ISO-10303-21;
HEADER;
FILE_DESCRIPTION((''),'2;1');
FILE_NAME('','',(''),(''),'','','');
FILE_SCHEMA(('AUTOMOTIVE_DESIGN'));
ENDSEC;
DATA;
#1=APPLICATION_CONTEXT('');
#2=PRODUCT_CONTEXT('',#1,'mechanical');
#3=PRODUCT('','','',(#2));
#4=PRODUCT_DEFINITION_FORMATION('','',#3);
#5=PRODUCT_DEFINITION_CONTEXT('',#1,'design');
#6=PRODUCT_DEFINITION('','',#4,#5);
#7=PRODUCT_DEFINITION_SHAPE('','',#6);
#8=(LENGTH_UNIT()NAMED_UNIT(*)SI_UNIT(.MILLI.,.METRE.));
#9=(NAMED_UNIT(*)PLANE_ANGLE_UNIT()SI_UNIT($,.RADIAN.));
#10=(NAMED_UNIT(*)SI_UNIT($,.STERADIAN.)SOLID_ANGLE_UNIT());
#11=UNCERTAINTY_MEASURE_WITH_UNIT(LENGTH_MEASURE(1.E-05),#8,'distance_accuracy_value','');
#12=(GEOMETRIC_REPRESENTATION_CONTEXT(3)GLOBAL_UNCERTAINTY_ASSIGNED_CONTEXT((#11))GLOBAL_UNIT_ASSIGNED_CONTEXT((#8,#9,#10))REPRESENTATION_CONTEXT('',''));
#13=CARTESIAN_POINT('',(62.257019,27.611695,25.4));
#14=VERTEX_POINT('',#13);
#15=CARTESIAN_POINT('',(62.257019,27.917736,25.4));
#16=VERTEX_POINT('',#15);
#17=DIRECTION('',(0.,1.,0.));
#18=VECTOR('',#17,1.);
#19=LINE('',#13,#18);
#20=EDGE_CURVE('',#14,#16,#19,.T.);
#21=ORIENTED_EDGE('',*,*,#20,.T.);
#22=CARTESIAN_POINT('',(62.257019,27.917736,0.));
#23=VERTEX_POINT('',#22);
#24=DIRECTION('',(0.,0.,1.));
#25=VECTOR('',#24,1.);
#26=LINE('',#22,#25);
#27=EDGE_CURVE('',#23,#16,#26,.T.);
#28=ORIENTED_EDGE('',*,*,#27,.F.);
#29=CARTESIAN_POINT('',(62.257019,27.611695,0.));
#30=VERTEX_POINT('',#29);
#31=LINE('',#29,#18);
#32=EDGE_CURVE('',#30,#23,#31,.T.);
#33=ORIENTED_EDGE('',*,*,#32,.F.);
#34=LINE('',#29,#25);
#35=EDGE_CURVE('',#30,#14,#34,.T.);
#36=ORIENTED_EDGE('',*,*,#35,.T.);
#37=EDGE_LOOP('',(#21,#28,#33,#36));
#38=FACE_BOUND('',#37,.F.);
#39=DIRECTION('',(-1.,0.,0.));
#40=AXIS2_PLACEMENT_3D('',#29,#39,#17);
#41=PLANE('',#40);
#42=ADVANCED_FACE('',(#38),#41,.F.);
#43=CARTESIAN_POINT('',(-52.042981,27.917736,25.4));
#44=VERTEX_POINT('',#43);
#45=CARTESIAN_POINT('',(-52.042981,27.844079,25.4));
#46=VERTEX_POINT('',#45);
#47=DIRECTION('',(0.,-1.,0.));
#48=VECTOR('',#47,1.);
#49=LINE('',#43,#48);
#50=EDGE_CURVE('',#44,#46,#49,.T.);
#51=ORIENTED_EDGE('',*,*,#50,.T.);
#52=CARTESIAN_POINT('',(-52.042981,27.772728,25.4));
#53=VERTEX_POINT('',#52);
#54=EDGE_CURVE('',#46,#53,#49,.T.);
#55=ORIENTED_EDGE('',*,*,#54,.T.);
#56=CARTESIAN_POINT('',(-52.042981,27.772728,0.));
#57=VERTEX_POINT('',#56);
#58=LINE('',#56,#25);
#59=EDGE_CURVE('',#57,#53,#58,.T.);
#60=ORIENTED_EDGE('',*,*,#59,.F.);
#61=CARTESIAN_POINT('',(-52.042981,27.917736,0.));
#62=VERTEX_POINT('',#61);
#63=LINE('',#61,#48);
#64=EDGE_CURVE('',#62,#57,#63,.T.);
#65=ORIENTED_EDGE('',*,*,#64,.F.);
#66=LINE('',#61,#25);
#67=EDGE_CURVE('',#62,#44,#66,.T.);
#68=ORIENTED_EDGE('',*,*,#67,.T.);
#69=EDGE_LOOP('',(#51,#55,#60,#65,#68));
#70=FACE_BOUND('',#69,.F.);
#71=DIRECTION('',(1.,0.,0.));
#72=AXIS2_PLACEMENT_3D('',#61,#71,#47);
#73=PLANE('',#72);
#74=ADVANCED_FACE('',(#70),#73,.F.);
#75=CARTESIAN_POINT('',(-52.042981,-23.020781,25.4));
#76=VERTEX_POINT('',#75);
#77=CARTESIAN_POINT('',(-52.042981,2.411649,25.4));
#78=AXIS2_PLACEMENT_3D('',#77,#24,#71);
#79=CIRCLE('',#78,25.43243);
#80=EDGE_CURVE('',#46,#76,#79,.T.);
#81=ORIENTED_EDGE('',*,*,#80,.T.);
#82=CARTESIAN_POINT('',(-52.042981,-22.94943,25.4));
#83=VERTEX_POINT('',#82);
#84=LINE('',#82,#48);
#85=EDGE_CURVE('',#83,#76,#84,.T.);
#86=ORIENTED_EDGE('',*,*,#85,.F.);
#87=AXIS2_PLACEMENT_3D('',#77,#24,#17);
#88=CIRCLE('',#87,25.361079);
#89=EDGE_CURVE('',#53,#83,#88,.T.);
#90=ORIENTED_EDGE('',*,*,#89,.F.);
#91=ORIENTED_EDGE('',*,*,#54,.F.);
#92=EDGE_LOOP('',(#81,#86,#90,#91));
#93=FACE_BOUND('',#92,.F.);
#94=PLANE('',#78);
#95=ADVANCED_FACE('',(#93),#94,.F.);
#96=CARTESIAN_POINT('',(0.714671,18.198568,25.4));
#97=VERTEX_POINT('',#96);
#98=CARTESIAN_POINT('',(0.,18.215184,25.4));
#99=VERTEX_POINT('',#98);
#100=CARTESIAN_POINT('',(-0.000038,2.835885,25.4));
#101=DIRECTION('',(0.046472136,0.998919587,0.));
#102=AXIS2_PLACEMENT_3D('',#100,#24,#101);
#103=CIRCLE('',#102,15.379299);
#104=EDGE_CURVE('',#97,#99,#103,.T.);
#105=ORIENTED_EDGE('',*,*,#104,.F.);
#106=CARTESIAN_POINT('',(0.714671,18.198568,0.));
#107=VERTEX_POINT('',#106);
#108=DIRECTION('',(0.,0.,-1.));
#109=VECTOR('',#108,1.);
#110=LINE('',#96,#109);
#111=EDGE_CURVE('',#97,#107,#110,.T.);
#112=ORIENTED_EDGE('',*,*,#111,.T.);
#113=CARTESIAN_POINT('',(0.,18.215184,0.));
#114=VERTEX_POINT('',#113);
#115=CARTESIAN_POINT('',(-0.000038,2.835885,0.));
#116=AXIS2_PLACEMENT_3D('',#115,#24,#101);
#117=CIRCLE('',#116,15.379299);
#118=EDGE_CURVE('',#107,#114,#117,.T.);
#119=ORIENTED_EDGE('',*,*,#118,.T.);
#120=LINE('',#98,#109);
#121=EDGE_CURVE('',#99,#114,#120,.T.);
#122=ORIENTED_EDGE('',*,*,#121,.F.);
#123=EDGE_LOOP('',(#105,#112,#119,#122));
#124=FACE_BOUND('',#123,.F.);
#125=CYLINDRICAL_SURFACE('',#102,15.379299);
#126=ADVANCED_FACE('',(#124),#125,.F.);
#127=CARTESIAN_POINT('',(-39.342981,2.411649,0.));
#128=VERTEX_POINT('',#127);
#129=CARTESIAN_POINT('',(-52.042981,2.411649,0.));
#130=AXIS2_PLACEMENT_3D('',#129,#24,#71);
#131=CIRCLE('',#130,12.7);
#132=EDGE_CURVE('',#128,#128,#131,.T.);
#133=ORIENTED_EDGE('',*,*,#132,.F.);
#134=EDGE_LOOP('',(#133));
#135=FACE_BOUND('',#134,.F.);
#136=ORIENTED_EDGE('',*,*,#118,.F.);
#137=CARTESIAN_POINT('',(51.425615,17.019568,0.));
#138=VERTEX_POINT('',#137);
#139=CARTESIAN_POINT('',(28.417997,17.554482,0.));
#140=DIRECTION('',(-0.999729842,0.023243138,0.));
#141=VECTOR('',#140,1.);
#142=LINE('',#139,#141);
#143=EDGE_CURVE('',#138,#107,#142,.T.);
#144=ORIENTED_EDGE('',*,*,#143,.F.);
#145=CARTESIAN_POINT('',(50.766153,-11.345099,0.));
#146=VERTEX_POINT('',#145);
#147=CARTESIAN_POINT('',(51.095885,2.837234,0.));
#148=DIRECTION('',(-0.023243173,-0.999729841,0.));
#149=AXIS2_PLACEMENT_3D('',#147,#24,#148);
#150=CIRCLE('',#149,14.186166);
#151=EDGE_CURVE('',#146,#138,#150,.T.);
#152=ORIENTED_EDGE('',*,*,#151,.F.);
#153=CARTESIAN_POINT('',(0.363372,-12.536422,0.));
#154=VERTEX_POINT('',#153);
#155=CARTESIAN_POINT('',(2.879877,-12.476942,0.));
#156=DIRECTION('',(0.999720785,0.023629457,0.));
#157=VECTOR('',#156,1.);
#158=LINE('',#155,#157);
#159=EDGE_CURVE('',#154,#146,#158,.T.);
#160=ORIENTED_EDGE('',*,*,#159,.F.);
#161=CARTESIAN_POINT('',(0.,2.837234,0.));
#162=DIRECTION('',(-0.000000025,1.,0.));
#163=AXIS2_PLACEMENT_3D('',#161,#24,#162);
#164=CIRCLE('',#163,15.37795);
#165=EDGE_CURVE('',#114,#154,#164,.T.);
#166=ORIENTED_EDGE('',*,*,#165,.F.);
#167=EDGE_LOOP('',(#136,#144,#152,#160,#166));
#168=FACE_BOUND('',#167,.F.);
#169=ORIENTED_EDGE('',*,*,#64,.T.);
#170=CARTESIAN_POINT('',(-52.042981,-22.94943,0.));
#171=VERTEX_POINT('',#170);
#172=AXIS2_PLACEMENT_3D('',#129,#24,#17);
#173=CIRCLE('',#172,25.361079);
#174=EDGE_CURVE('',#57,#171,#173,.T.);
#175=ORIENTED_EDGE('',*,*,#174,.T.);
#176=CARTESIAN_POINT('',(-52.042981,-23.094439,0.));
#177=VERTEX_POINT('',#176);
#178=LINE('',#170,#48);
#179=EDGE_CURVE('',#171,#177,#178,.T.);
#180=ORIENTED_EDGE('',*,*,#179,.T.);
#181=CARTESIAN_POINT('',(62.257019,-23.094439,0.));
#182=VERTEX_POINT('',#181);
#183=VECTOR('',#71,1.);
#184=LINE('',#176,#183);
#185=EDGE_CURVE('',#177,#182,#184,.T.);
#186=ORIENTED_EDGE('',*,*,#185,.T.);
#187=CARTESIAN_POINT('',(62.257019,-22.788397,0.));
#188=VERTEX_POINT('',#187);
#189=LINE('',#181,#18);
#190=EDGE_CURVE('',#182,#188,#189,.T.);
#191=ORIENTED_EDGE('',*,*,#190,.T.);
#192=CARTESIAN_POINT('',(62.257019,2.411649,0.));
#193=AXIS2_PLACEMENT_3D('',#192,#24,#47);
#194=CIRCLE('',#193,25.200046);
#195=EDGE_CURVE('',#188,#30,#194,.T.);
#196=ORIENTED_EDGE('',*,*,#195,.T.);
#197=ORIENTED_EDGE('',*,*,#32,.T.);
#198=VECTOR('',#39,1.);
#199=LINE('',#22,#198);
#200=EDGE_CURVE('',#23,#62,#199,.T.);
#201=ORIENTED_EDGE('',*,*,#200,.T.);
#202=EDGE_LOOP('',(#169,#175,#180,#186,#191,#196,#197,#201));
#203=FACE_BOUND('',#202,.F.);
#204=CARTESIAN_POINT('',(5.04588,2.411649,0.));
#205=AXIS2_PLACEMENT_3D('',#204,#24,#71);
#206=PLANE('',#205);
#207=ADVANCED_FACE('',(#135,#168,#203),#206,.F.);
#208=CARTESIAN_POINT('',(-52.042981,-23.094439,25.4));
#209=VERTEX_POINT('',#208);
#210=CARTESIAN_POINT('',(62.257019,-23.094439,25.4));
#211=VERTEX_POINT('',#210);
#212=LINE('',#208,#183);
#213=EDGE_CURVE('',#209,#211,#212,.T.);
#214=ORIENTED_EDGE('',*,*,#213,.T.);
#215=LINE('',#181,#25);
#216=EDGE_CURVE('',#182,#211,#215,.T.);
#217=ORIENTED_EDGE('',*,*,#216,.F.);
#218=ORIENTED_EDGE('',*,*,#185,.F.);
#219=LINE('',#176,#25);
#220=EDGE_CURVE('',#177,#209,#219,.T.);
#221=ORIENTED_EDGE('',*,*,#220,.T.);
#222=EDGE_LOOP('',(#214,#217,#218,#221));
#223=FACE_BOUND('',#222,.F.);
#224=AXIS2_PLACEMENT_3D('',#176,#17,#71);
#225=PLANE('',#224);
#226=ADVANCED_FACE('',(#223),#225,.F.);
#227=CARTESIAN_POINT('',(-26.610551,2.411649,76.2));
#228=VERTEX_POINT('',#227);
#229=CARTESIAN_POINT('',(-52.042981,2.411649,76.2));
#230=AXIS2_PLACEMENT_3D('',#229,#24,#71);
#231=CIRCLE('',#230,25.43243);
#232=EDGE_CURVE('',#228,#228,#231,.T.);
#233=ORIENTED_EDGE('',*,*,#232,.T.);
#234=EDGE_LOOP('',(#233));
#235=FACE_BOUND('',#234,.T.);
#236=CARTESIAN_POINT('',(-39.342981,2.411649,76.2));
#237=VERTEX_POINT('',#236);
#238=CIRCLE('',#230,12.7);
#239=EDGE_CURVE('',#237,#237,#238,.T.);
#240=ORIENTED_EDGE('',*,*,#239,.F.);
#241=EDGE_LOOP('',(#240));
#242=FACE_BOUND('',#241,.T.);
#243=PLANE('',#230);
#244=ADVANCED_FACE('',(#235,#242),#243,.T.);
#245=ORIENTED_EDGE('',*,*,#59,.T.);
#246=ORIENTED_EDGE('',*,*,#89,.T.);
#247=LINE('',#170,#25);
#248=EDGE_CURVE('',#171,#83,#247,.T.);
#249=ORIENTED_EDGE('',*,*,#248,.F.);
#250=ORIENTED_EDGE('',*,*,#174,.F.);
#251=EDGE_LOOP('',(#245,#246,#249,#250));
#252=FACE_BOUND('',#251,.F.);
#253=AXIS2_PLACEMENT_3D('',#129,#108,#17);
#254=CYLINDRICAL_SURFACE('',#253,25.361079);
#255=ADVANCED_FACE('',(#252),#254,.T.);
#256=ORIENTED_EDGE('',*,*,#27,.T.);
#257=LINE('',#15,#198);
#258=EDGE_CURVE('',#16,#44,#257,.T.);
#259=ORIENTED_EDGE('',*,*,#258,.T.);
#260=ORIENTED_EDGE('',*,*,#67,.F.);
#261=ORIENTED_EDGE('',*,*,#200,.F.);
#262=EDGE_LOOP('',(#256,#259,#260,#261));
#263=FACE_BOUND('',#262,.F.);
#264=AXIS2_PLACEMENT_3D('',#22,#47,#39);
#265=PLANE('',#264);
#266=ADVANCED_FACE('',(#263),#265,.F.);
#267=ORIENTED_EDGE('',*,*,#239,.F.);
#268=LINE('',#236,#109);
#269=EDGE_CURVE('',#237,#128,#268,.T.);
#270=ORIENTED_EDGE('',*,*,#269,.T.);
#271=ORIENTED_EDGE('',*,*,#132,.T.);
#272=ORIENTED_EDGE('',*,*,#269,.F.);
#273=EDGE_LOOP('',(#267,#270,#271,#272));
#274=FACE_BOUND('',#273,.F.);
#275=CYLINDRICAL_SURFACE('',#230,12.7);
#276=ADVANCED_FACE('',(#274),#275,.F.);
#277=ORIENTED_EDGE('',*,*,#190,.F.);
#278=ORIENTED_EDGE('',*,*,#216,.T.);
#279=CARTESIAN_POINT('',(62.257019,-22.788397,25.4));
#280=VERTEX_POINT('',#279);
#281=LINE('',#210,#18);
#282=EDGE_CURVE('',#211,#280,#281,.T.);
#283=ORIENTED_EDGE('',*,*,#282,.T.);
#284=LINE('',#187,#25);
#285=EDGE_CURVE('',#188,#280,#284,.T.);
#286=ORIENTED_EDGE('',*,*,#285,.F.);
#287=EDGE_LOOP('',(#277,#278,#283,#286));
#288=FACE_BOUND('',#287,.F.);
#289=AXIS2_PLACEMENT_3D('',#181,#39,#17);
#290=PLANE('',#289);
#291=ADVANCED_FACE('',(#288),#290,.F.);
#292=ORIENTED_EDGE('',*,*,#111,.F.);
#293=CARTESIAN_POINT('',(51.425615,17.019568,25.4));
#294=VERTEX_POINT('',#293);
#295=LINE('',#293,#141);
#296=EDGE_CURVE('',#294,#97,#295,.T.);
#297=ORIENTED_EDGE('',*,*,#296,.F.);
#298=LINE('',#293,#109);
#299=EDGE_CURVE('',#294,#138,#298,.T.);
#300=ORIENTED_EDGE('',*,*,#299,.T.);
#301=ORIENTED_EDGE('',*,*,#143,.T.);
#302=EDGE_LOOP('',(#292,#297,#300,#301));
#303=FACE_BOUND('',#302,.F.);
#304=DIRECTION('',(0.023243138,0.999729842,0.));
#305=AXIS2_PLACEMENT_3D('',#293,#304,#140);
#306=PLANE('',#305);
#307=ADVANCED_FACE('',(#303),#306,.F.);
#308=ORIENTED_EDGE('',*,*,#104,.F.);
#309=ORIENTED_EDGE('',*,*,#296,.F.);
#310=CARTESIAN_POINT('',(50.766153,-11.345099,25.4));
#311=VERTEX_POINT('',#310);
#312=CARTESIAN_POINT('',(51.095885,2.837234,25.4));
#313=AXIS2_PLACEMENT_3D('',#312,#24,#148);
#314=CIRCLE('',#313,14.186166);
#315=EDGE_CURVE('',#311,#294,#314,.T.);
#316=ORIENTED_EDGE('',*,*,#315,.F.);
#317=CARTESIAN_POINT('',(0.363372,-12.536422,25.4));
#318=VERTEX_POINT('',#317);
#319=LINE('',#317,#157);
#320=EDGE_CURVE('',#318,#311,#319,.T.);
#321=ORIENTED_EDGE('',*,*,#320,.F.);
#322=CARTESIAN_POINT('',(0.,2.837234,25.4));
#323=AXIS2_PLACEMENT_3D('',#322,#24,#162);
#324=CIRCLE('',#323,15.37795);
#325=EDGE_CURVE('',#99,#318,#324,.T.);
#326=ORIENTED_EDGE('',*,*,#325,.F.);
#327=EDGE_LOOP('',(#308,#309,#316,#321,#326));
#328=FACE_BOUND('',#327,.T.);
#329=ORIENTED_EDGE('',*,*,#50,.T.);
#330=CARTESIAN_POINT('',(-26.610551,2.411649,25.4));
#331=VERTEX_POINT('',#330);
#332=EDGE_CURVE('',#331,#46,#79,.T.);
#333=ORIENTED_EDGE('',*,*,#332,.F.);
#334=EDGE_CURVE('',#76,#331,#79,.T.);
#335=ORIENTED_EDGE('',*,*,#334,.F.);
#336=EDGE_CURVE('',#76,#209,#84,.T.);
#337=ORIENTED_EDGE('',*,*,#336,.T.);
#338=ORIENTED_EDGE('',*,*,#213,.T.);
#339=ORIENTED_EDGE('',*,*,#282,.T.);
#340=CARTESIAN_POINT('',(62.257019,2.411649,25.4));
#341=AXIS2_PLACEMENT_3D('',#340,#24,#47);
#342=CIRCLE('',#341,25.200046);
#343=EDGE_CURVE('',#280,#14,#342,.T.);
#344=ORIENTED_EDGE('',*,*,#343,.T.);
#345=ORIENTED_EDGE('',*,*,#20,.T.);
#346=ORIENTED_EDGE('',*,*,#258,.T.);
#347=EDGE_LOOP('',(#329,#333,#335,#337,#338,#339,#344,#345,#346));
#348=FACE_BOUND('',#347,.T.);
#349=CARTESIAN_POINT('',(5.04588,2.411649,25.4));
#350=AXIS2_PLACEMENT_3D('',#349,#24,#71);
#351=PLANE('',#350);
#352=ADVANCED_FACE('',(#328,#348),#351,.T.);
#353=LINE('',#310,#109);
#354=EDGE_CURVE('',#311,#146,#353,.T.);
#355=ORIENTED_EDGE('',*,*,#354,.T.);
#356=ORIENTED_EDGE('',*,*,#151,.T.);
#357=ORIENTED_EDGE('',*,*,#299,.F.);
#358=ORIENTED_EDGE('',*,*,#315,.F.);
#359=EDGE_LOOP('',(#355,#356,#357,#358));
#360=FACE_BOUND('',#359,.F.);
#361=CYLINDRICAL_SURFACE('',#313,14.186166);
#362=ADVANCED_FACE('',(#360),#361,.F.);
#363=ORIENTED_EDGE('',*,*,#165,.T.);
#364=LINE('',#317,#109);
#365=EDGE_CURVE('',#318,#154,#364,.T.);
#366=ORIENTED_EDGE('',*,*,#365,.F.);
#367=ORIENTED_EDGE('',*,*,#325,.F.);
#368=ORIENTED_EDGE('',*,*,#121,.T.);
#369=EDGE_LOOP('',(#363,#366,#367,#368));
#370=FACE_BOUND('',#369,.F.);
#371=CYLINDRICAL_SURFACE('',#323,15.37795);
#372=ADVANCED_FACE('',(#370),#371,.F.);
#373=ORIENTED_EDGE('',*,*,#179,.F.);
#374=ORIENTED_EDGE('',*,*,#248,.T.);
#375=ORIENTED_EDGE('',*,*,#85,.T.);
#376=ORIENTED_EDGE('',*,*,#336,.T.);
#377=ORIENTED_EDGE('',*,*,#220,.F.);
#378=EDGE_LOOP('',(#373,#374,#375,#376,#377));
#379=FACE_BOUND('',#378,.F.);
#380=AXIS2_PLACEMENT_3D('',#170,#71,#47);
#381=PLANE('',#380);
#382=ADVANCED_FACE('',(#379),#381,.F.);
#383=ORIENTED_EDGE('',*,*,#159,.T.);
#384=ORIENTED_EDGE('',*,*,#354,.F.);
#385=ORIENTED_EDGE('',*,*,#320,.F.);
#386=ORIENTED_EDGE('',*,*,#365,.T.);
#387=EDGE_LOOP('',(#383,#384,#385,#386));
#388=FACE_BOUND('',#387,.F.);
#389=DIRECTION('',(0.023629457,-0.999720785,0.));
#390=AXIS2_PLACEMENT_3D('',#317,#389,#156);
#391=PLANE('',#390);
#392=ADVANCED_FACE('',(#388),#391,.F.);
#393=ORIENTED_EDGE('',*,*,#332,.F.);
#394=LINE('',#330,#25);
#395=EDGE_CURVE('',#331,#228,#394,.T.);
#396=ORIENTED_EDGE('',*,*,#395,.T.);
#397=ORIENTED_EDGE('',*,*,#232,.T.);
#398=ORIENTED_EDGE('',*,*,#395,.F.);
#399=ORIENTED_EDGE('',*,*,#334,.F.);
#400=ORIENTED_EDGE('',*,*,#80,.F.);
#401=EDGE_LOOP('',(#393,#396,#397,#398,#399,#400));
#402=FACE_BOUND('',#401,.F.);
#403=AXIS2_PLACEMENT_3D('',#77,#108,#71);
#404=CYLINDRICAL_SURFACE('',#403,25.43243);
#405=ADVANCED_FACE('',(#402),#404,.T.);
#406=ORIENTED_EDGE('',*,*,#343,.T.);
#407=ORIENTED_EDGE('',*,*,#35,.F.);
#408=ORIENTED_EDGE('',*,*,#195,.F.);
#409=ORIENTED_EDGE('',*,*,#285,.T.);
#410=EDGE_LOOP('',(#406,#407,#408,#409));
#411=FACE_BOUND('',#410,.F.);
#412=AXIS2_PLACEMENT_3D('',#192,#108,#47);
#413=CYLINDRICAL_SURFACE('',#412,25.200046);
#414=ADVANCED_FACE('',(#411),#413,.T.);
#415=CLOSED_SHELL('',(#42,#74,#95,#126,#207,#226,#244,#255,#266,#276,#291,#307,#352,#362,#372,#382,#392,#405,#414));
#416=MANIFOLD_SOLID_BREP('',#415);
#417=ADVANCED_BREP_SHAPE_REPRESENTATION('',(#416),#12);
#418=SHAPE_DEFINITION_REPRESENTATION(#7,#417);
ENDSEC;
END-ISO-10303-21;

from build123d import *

# Parameters (mm, degrees)
F1_DEPTH = 25.4
F2_R     = 25.43243
F3_DEPTH = 50.8
F4_R     = 12.7
F5_DEPTH = 177.8
F7_DEPTH = 203.2


with BuildPart() as f1:
    # F0 (on Top) → F1 (new body)
    with BuildSketch(Plane.XY):
        with BuildLine():
            Line((62.257019, 27.917736), (-52.042981, 27.917736))
            Line((-52.042981, 27.917736), (-52.042981, 27.772728))
            ThreePointArc((-52.042981, 27.772728), (-77.40406, 2.411649), (-52.042981, -22.94943))
            Line((-52.042981, -22.94943), (-52.042981, -23.094439))
            Line((-52.042981, -23.094439), (62.257019, -23.094439))
            Line((62.257019, -23.094439), (62.257019, -22.788397))
            ThreePointArc((62.257019, -22.788397), (87.457065, 2.411649), (62.257019, 27.611695))
            Line((62.257019, 27.611695), (62.257019, 27.917736))
        make_face()
    extrude(amount=F1_DEPTH)

    # F2 (on face) → F3 (join)
    with BuildSketch(Plane.XY.offset(25.4)):
        with Locations((-52.042981, 2.411649)):
            Circle(F2_R)
    extrude(amount=F3_DEPTH)

    # F4 (on face) → F5 (cut)
    with BuildSketch(Plane.XY.offset(76.2)):
        with Locations((-52.042981, 2.411649)):
            Circle(F4_R)
    extrude(amount=-F5_DEPTH, mode=Mode.SUBTRACT)

    # F6 (on face) → F7 (cut)
    with BuildSketch(Plane.XY.offset(25.4)):
        with BuildLine():
            Line((0, 18.215184), (0.714671, 18.198568))
            ThreePointArc((0.714671, 18.198568), (0.357432, 18.211029), (0, 18.215184))
        make_face()
        with BuildLine():
            Line((51.425615, 17.019568), (0.714671, 18.198568))
            Line((0.714671, 18.198568), (0, 18.215184))
            ThreePointArc((0, 18.215184), (-15.376876, 2.655535), (0.363372, -12.536422))
            Line((0.363372, -12.536422), (50.766153, -11.345099))
            ThreePointArc((50.766153, -11.345099), (65.278218, 2.507503), (51.425615, 17.019568))
        make_face()
    extrude(amount=-F7_DEPTH, mode=Mode.SUBTRACT)


solid = f1.part
